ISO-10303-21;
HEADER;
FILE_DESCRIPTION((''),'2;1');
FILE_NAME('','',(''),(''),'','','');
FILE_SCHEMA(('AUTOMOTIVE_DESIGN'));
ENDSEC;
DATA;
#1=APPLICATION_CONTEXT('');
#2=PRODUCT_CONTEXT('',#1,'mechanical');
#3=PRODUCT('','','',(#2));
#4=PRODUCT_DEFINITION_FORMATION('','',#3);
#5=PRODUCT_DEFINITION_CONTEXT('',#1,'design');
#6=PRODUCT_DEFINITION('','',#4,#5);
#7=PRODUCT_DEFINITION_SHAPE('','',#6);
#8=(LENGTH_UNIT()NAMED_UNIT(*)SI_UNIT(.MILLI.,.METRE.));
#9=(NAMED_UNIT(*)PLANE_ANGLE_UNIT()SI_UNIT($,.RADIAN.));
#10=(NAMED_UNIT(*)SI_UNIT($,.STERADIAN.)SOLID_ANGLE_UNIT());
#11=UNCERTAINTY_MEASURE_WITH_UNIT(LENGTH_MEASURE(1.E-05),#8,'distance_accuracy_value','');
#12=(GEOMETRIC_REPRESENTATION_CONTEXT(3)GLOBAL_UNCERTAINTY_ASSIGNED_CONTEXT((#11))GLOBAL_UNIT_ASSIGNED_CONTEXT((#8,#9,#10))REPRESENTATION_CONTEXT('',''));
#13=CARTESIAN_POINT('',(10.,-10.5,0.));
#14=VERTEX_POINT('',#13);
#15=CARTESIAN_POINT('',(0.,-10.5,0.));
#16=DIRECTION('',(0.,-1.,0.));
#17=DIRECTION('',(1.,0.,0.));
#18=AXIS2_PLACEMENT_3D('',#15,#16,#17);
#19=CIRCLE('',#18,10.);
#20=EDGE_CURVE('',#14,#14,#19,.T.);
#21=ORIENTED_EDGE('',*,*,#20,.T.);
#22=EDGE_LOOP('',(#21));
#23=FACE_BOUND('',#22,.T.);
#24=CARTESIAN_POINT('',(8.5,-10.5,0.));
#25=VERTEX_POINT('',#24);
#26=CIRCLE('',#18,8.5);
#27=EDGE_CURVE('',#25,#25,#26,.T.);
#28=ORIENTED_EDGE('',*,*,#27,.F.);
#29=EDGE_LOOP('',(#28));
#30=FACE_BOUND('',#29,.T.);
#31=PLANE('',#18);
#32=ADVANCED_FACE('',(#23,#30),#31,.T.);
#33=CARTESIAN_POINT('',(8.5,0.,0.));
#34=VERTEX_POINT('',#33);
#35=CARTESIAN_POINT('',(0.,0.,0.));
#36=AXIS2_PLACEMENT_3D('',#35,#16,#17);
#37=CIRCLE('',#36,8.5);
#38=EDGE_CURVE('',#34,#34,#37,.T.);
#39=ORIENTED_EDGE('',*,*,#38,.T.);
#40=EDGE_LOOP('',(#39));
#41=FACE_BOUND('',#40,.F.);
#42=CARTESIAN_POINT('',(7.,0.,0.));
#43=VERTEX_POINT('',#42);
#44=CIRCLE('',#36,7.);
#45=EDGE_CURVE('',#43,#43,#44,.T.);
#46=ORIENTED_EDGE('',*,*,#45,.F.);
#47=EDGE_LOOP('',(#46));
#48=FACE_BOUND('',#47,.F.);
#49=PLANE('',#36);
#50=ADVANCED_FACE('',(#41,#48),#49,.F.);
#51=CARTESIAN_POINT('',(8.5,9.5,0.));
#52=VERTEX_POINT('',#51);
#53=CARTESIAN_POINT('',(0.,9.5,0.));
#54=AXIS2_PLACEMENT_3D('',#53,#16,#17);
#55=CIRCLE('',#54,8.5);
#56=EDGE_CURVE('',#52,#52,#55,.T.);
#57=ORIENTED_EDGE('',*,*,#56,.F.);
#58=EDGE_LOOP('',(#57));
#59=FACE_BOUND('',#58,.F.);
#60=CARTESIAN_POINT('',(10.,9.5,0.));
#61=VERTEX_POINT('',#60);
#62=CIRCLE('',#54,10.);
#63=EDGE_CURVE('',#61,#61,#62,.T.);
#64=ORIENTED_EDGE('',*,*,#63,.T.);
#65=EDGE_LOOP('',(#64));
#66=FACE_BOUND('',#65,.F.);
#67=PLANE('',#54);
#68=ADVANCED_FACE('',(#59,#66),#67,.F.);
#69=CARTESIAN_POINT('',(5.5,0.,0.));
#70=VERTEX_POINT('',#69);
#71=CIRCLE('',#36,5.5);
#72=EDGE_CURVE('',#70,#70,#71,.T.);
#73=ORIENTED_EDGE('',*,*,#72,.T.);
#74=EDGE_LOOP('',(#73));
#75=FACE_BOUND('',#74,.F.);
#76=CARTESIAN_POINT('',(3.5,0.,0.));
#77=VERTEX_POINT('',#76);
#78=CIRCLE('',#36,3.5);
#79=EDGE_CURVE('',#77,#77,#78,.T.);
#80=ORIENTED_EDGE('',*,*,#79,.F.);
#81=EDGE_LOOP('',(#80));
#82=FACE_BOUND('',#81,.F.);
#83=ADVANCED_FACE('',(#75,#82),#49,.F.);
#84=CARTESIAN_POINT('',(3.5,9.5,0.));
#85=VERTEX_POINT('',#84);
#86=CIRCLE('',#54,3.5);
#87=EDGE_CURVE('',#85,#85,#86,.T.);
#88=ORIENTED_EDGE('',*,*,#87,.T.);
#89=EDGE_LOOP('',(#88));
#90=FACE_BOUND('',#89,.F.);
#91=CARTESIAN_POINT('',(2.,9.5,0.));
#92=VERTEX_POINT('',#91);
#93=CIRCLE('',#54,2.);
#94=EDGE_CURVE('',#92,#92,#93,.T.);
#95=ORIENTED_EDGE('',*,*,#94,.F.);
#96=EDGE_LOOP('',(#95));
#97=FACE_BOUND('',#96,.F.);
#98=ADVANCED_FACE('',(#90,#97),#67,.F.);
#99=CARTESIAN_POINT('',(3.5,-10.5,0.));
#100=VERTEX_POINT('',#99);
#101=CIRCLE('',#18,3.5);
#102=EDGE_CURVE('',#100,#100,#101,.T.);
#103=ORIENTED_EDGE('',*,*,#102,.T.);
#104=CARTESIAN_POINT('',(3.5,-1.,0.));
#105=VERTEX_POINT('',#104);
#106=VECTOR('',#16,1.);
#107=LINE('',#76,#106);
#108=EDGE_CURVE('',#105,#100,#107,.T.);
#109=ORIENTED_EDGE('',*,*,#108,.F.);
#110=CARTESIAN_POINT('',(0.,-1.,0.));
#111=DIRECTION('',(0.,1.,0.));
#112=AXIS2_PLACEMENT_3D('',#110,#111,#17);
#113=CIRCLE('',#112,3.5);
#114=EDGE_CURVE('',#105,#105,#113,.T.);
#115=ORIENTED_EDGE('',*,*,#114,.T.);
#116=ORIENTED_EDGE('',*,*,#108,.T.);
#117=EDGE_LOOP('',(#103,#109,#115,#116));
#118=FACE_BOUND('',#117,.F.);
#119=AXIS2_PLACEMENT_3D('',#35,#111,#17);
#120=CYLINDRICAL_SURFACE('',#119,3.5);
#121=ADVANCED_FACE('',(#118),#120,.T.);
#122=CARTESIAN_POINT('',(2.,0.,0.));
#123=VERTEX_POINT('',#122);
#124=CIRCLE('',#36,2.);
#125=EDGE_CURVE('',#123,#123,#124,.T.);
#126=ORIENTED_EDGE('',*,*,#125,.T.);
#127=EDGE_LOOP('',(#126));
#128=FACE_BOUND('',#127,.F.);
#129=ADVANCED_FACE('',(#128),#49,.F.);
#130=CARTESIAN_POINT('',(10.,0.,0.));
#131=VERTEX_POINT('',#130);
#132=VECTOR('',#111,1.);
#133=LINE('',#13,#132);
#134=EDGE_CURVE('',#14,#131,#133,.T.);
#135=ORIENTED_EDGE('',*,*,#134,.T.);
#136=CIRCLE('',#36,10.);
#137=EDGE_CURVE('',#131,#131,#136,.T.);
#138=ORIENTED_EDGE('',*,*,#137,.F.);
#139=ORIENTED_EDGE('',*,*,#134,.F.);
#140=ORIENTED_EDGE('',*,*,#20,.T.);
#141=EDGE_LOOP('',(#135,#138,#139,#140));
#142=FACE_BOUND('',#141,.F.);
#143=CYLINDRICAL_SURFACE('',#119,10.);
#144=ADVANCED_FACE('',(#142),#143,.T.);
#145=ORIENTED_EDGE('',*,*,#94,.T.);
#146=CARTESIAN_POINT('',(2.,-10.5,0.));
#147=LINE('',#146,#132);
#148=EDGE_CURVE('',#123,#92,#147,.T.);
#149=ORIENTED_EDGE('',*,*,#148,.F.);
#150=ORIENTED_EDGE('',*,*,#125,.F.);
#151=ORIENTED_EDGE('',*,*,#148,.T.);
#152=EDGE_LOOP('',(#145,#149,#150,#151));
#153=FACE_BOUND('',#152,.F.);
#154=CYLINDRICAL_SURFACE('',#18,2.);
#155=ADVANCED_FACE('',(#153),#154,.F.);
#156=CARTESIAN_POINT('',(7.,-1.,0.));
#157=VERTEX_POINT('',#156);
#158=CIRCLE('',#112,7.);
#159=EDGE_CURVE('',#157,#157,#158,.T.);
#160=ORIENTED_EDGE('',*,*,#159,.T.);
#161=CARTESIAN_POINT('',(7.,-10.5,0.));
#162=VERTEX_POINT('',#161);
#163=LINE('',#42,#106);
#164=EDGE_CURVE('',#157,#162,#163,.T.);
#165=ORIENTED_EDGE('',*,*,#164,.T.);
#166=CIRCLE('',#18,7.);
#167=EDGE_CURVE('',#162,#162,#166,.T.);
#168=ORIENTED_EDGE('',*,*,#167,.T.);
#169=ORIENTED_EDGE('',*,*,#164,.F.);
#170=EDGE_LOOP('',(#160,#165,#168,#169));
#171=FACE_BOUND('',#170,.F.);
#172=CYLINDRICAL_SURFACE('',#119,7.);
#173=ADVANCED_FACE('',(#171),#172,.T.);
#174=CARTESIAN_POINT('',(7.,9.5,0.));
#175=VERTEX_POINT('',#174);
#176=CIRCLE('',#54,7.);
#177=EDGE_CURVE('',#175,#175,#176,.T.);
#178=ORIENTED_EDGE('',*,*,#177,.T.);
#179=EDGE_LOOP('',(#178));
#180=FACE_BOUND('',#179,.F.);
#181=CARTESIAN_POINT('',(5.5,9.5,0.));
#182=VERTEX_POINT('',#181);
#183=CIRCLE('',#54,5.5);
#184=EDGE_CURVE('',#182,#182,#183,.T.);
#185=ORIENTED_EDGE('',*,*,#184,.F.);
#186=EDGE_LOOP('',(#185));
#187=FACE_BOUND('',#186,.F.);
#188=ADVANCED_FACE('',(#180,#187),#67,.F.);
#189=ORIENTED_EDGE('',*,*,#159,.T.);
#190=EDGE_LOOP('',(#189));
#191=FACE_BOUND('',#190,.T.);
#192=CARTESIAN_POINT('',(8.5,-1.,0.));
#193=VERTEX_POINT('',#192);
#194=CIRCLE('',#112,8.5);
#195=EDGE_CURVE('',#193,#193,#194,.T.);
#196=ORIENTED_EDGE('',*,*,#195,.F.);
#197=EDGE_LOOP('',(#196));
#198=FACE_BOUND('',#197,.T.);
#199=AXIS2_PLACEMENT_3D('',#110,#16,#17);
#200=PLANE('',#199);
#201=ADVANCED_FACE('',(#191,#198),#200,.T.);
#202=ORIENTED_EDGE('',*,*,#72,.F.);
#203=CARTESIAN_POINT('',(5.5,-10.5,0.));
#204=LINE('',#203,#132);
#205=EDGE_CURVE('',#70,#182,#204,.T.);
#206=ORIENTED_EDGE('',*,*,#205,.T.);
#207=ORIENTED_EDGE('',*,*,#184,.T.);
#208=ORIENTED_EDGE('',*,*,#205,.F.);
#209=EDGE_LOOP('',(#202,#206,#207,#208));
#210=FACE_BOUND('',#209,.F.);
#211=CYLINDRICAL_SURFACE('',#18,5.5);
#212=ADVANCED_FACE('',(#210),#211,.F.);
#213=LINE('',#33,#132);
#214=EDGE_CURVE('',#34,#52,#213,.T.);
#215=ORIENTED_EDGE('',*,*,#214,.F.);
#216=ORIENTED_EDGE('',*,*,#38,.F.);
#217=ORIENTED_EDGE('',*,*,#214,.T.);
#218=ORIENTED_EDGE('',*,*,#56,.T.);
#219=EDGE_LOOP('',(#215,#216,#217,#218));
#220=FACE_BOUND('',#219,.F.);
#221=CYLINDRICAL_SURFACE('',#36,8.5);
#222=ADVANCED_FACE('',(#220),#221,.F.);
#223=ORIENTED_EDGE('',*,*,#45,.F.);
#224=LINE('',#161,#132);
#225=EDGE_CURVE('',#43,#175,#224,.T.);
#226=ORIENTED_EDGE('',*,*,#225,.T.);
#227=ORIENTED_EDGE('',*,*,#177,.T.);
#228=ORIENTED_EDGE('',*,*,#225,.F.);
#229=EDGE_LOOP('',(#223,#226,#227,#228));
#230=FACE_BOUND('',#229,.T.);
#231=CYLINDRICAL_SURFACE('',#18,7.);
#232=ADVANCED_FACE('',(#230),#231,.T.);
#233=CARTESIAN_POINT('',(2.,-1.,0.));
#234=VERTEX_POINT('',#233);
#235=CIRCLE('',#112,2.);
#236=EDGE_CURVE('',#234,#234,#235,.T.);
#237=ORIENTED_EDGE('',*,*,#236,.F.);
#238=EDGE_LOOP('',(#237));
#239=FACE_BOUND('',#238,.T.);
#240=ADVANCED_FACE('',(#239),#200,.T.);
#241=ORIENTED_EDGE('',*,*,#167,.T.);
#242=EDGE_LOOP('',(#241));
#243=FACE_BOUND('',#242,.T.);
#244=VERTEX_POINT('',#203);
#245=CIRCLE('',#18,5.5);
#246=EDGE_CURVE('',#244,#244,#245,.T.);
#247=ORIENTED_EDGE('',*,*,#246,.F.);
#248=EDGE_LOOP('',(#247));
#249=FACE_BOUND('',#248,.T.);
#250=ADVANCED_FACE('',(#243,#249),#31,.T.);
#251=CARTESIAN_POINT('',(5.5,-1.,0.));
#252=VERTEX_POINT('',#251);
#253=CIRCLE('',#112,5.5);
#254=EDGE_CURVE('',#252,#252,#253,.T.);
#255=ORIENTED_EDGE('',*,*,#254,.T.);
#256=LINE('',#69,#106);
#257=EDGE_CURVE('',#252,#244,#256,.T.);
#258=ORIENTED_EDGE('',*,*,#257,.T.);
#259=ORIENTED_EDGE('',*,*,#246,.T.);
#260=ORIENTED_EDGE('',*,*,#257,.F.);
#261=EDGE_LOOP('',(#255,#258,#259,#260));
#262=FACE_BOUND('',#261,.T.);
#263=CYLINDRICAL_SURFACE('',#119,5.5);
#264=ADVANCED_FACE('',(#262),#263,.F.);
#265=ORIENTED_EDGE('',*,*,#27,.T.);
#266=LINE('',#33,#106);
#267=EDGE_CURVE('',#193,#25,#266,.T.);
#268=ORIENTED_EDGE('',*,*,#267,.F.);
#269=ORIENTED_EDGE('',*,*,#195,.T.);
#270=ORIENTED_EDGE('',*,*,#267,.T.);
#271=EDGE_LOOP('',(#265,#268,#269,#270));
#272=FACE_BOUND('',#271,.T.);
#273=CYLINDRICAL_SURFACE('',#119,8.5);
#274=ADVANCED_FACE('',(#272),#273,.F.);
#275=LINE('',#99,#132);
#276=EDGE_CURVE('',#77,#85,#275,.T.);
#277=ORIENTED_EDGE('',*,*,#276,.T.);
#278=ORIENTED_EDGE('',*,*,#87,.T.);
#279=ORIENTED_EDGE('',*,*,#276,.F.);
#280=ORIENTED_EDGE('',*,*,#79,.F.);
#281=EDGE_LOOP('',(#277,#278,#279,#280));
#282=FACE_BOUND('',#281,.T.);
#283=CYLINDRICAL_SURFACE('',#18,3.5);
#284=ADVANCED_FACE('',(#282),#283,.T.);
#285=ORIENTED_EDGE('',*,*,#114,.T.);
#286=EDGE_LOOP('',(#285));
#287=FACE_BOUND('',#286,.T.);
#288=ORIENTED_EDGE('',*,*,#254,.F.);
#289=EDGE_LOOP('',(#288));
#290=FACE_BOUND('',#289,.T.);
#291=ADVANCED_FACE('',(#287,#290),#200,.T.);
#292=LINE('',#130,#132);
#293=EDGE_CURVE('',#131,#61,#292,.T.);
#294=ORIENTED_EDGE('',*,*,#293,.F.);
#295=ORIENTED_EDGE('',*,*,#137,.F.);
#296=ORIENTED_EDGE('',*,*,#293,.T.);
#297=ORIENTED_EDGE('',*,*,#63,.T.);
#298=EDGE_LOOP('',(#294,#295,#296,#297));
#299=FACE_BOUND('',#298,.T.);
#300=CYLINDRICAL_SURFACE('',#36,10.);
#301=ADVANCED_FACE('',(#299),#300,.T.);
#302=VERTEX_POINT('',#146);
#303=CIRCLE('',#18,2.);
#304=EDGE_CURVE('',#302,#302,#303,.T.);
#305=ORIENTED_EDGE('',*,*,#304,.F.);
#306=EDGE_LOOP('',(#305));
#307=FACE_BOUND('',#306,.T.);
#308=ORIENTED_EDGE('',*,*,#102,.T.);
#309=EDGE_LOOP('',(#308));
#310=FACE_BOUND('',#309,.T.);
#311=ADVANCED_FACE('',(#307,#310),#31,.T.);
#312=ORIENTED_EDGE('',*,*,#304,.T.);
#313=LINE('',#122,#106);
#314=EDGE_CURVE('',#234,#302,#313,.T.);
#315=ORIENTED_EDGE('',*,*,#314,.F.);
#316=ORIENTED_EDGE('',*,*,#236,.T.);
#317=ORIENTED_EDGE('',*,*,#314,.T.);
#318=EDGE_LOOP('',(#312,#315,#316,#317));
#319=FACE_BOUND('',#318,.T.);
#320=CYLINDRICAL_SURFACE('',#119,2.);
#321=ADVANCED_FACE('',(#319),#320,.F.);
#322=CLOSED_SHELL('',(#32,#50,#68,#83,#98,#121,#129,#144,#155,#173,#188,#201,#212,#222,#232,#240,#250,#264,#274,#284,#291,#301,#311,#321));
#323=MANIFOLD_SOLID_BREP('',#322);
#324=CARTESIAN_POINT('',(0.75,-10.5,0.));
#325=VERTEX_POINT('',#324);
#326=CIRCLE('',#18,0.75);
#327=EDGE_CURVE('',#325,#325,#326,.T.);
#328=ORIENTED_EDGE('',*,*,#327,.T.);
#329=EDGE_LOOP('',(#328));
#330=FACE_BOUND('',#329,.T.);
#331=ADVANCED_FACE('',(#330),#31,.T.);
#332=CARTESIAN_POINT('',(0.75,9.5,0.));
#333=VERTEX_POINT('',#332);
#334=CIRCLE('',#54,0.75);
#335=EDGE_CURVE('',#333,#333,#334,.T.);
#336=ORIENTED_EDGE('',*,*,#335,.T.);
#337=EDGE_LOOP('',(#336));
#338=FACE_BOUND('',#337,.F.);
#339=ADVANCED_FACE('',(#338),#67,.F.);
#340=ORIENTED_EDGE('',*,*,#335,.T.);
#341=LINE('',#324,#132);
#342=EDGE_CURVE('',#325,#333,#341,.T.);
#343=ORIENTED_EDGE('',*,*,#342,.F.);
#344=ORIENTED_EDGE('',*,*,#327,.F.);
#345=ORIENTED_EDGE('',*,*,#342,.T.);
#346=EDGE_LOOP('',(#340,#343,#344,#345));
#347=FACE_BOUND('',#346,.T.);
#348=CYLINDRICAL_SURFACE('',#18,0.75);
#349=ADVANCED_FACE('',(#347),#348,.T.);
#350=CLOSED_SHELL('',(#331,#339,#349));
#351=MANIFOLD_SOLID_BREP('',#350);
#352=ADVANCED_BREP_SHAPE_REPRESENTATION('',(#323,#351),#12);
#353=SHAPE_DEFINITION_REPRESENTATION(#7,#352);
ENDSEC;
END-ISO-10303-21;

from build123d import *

# Parameters (mm, degrees)
F1_R     = 10
F2_DEPTH = 1
F0_R     = 10
F0_R_2   = 8.5
F0_R_3   = 7
F0_R_4   = 5.5
F0_R_5   = 3.5
F0_R_6   = 2
F3_DEPTH = 10.5
F4_DEPTH = 9.5
F5_DEPTH = 20
F6_R     = 0.75
F7_DEPTH = 20


with BuildPart() as f2:
    # F1 (on face) → F2 (new body)
    with BuildSketch(Plane.XZ):
        Circle(F1_R)
    extrude(amount=F2_DEPTH)

    # F0 (on Front) → F3 (join)
    with BuildSketch(Plane.XZ):
        Circle(F0_R)
        Circle(F0_R_2, mode=Mode.SUBTRACT)
        Circle(F0_R_3)
        Circle(F0_R_4, mode=Mode.SUBTRACT)
        Circle(F0_R_5)
        Circle(F0_R_6, mode=Mode.SUBTRACT)
    extrude(amount=F3_DEPTH)

    # F0 (on Front) → F4 (join)
    with BuildSketch(Plane.XZ):
        Circle(F0_R)
        Circle(F0_R_2, mode=Mode.SUBTRACT)
    extrude(amount=-F4_DEPTH)

    # F5 (add): faces of the model
    f5_faces = [f2.faces().sort_by_distance(p)[0] for p in [
        (-3.4010050506, -10.5, 0),
        (-6.8020101013, -10.5, 0),
        (-9.7171572875, -10.5, 0),
    ]]
    extrude(f5_faces, amount=-F5_DEPTH)


with BuildPart() as f7:
    # F6 (on face) → F7 (new body)
    with BuildSketch(Plane.XZ.offset(10.5)):
        Circle(F6_R)
    extrude(amount=-F7_DEPTH)


solid = Compound([f2.part, f7.part])
